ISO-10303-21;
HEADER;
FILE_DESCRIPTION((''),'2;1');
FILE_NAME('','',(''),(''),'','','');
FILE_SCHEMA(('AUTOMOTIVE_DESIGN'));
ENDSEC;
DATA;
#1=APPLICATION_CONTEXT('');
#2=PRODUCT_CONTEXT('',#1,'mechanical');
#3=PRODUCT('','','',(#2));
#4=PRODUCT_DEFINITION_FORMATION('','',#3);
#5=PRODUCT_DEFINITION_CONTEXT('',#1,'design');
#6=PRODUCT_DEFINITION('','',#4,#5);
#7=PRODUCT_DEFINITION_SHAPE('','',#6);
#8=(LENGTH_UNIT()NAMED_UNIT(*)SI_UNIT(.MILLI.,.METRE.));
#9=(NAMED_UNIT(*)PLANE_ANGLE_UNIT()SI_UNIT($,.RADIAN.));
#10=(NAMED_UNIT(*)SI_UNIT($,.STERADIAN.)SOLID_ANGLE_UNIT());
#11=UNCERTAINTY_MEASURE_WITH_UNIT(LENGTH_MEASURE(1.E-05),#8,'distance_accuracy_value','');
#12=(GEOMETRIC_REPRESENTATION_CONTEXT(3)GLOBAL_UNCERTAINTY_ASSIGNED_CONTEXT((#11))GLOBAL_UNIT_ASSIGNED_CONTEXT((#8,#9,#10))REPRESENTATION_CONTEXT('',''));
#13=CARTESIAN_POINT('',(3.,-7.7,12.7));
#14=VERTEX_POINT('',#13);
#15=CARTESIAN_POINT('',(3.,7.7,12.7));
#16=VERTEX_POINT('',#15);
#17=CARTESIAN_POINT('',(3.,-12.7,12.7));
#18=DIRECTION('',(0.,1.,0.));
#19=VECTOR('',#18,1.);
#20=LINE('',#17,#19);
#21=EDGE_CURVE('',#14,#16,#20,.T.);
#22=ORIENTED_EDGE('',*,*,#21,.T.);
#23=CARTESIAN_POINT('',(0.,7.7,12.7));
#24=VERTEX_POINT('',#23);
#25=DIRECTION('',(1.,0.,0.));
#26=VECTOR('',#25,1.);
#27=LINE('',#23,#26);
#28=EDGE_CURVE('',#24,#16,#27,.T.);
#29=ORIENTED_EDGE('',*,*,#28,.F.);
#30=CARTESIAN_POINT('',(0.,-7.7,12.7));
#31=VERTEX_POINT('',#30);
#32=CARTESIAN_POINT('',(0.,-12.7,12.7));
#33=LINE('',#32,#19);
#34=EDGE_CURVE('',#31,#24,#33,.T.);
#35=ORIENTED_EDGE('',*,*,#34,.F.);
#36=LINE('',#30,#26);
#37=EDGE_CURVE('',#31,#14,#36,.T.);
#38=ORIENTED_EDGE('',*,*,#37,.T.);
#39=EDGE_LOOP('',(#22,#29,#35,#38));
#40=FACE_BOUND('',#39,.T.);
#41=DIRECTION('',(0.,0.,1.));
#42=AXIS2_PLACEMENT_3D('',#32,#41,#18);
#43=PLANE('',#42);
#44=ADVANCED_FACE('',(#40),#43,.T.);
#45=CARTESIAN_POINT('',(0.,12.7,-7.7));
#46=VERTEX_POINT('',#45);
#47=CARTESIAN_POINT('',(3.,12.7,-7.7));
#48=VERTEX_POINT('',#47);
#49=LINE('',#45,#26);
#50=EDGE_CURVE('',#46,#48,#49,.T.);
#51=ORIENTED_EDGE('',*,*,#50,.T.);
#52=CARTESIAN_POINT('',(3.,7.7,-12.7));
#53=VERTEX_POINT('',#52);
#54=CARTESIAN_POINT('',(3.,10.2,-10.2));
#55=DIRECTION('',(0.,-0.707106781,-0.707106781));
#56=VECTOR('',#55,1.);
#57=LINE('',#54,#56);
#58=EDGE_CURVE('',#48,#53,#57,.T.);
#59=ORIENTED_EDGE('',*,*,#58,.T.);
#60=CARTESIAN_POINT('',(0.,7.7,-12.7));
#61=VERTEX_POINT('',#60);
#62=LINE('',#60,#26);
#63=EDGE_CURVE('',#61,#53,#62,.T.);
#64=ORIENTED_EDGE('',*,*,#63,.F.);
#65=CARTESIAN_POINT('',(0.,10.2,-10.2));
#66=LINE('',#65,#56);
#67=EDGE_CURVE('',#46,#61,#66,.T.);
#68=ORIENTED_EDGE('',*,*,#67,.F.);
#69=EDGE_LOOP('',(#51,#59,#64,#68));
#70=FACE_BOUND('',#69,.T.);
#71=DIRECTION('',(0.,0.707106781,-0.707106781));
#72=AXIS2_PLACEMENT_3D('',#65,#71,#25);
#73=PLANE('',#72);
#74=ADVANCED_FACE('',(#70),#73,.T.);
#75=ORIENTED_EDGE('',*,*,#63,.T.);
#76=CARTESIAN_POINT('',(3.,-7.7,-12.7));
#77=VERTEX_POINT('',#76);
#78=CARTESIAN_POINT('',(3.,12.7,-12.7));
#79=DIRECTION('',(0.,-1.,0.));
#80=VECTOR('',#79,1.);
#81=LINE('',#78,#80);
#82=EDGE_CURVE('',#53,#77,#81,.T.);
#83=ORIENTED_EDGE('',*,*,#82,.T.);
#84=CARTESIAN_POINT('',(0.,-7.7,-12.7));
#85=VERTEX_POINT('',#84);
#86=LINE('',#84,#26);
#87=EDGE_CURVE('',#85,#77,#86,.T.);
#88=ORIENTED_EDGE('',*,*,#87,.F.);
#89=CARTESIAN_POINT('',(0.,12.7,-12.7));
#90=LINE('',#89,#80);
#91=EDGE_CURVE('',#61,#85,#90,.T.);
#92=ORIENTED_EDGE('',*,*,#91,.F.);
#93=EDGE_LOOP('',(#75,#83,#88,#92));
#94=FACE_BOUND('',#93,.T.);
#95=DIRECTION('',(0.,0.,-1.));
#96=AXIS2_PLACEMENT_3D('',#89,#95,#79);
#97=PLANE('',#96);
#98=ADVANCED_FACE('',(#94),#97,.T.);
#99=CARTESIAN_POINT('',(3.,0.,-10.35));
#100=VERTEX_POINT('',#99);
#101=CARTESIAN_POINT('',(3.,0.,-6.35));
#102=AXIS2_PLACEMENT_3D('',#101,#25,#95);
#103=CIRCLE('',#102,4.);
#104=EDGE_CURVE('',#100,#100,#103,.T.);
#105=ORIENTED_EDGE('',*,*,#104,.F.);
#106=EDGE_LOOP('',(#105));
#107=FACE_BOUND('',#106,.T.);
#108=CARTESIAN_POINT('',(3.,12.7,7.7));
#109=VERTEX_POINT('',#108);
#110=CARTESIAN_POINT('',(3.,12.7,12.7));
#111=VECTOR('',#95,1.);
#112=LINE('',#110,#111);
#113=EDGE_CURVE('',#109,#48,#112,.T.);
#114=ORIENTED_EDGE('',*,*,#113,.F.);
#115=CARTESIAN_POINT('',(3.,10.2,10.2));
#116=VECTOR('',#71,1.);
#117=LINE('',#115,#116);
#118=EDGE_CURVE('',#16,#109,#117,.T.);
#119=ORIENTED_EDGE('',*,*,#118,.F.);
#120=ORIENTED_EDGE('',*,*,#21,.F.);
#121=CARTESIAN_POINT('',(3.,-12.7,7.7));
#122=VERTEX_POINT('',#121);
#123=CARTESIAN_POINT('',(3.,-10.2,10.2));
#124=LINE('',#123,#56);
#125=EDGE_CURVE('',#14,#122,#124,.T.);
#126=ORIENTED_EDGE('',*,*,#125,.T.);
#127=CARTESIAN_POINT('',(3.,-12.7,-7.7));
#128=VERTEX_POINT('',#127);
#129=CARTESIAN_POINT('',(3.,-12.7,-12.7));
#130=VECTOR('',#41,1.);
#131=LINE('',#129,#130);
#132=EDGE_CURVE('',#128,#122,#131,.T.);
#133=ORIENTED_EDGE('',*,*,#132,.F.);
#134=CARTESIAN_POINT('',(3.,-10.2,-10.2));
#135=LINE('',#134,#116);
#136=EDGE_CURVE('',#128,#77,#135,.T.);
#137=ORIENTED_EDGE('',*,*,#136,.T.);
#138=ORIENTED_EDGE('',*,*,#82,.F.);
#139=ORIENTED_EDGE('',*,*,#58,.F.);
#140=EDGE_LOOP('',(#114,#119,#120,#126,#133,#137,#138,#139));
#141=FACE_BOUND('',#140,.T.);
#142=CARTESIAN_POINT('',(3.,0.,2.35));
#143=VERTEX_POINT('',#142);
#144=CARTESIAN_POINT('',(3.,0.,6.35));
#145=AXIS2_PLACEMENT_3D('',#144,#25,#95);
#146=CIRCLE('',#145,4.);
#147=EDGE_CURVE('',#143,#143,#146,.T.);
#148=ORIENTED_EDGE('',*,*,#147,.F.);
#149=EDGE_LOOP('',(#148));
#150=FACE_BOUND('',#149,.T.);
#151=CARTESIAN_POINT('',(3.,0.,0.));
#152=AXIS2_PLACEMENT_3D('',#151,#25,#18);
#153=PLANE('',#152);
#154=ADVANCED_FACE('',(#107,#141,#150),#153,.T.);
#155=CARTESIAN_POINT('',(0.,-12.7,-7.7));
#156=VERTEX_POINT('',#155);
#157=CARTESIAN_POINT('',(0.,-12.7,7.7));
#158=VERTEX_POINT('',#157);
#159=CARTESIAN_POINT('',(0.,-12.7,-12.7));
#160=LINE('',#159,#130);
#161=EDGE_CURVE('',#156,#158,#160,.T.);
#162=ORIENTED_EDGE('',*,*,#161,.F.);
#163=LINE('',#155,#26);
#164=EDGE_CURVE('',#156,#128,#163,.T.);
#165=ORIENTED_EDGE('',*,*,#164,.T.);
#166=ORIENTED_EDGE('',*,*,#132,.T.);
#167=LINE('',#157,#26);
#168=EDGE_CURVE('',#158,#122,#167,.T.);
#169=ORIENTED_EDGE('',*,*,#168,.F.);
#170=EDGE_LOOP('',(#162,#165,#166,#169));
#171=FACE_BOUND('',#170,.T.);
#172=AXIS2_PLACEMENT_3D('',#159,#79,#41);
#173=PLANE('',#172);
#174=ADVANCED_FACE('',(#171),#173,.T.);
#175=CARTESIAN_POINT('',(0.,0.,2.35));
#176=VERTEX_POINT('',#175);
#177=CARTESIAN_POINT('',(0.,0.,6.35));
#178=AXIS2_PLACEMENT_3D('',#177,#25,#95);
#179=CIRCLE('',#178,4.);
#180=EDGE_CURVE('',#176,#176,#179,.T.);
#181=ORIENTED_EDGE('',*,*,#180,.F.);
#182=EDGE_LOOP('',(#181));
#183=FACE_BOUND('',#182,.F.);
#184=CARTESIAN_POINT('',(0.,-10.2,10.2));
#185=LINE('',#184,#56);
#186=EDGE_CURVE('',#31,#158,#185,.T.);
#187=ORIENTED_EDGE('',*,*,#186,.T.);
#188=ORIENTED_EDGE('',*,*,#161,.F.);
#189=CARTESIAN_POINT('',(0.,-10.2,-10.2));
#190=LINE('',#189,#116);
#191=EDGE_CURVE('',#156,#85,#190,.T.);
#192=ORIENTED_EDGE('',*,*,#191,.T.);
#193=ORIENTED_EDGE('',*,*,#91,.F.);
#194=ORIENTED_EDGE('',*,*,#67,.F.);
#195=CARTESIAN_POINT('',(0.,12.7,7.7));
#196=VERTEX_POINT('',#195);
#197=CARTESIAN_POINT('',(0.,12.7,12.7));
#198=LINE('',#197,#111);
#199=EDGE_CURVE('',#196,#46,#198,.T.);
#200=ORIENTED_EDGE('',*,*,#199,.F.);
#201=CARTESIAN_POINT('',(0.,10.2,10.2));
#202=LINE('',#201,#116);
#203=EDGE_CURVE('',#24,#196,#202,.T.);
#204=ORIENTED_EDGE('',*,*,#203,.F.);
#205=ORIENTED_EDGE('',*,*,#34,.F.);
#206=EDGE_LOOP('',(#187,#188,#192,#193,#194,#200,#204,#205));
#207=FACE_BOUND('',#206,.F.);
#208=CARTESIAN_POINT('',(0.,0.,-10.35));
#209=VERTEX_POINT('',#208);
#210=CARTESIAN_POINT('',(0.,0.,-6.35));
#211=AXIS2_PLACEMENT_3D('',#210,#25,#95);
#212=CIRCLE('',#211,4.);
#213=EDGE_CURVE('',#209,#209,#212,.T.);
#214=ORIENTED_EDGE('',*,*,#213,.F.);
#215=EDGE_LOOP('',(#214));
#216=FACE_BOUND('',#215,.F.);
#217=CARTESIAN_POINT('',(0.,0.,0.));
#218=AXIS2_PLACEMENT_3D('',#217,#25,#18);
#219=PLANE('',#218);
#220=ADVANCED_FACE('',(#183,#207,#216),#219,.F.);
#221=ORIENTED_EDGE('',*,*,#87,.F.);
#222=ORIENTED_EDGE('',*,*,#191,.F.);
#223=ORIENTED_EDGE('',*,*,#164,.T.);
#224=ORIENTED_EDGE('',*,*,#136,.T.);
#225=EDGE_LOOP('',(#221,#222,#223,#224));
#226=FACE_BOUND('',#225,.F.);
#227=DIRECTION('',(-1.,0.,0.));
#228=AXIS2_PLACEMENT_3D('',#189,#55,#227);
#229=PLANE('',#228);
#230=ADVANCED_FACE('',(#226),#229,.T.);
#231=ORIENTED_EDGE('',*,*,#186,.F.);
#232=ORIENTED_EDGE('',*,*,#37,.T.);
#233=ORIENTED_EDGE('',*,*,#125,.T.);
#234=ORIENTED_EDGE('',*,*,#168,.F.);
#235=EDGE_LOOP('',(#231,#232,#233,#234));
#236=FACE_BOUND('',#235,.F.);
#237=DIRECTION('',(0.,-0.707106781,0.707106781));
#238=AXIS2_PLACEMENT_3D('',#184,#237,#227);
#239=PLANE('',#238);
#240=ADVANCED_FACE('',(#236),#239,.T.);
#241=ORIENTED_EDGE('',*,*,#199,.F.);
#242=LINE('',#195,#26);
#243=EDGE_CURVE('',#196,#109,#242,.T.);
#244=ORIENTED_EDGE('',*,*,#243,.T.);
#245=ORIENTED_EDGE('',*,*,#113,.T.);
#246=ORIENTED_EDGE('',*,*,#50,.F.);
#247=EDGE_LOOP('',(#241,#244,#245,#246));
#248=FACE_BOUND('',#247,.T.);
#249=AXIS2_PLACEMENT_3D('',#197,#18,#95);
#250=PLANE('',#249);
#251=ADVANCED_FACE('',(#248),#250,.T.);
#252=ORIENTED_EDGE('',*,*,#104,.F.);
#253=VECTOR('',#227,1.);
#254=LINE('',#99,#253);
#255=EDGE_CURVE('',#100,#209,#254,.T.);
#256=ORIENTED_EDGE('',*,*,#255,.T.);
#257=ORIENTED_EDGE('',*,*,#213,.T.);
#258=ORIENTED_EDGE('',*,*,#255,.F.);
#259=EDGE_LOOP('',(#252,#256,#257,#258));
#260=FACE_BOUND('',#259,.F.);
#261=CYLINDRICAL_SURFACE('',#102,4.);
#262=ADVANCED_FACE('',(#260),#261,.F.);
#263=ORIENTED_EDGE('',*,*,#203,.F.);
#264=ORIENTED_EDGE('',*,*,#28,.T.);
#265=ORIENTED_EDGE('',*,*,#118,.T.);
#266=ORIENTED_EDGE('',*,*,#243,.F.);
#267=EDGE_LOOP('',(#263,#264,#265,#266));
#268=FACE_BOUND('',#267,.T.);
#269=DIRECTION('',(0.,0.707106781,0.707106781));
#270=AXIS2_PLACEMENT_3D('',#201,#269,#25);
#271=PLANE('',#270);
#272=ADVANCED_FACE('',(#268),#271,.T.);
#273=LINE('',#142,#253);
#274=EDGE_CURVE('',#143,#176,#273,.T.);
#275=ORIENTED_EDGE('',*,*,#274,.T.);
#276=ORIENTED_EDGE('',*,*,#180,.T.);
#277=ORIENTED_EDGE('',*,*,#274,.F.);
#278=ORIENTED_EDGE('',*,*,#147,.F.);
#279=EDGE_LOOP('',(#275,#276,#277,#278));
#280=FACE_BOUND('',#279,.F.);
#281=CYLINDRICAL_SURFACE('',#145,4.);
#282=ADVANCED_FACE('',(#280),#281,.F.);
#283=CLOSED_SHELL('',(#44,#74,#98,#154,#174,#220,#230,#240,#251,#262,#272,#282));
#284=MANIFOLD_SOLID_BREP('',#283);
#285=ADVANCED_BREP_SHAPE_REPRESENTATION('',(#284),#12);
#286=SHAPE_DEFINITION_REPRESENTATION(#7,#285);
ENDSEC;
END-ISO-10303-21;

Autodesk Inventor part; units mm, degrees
ref_plane "YZ Plane" through (0, 0, 0) normal (1, 0, 0) x (0, 1, 0)
ref_plane "XZ Plane" through (0, 0, 0) normal (0, 1, 0) x (-1, 0, 0)
ref_plane "XY Plane" through (0, 0, 0) normal (0, 0, 1) x (1, 0, 0)
sketch "Sketch1" plane through (0, 0, 0) normal (1, 0, 0) x (0, 1, 0)
  line L0 (-12.7, 12.7) -> (12.7, 12.7)
  line L1 (12.7, 12.7) -> (12.7, -12.7)
  line L2 (12.7, -12.7) -> (-12.7, -12.7)
  line L3 (-12.7, -12.7) -> (-12.7, 12.7)
  line L4 (-12.7, 12.7) -> (12.7, -12.7) construction
  line L5 (12.7, 12.7) -> (-12.7, -12.7) construction
  point P0 (0, 0)
  dimension "d0" = 25.4
  dimension "d1" = 25.4
extrude "Extrusion1" add sketch "Sketch1" along normal blind 3
sketch "Sketch2" plane through (3, 0, 0) normal (1, 0, 0) x (0, 0, -1)
  line L0 (12.7, -12.7) -> (12.7, 12.7) projected
  line L1 (12.7, 12.7) -> (-12.7, 12.7) projected
  line L2 (-12.7, 12.7) -> (-12.7, -12.7) projected
  line L3 (-12.7, -12.7) -> (12.7, -12.7) projected
  line L4 (0, 12.7) -> (0, -12.7)
  circle A0 centre (-6.35, 0) radius 4
  line L5 (-11.85, 3.1754) -> (-6.35, 6.3509)
  line L6 (-6.35, 6.3509) -> (-0.85, 3.1754)
  line L7 (-0.85, 3.1754) -> (-0.85, -3.1754)
  line L8 (-0.85, -3.1754) -> (-6.35, -6.3509)
  line L9 (-6.35, -6.3509) -> (-11.85, -3.1754)
  line L10 (-11.85, -3.1754) -> (-11.85, 3.1754)
  circle A1 centre (6.35, 0) radius 4
  line L11 (11.85, 3.1754) -> (6.35, 6.3509)
  line L12 (6.35, 6.3509) -> (0.85, 3.1754)
  line L13 (0.85, 3.1754) -> (0.85, -3.1754)
  line L14 (0.85, -3.1754) -> (6.35, -6.3509)
  line L15 (6.35, -6.3509) -> (11.85, -3.1754)
  line L16 (11.85, -3.1754) -> (11.85, 3.1754)
  point P0 (0, 0)
  point P1 (0, 0)
  point P2 (-0.85, 0)
  point P3 (0.85, 0)
  dimension "d4" = 8
  dimension "d5" = 6.35
  dimension "d6" = 11
extrude "Extrusion2" cut sketch "Sketch2" against normal blind 3 contours A0 | A1
chamfer "Chamfer1" distance 5 angle 45 4 edges at (1.5, -12.7, -12.7) (1.5, -12.7, 12.7) (1.5, 12.7, 12.7) (1.5, 12.7, -12.7)
properties part number "ACOPLE_TORNILLO_DOBLE" material "Steel, Mild, Welded"
